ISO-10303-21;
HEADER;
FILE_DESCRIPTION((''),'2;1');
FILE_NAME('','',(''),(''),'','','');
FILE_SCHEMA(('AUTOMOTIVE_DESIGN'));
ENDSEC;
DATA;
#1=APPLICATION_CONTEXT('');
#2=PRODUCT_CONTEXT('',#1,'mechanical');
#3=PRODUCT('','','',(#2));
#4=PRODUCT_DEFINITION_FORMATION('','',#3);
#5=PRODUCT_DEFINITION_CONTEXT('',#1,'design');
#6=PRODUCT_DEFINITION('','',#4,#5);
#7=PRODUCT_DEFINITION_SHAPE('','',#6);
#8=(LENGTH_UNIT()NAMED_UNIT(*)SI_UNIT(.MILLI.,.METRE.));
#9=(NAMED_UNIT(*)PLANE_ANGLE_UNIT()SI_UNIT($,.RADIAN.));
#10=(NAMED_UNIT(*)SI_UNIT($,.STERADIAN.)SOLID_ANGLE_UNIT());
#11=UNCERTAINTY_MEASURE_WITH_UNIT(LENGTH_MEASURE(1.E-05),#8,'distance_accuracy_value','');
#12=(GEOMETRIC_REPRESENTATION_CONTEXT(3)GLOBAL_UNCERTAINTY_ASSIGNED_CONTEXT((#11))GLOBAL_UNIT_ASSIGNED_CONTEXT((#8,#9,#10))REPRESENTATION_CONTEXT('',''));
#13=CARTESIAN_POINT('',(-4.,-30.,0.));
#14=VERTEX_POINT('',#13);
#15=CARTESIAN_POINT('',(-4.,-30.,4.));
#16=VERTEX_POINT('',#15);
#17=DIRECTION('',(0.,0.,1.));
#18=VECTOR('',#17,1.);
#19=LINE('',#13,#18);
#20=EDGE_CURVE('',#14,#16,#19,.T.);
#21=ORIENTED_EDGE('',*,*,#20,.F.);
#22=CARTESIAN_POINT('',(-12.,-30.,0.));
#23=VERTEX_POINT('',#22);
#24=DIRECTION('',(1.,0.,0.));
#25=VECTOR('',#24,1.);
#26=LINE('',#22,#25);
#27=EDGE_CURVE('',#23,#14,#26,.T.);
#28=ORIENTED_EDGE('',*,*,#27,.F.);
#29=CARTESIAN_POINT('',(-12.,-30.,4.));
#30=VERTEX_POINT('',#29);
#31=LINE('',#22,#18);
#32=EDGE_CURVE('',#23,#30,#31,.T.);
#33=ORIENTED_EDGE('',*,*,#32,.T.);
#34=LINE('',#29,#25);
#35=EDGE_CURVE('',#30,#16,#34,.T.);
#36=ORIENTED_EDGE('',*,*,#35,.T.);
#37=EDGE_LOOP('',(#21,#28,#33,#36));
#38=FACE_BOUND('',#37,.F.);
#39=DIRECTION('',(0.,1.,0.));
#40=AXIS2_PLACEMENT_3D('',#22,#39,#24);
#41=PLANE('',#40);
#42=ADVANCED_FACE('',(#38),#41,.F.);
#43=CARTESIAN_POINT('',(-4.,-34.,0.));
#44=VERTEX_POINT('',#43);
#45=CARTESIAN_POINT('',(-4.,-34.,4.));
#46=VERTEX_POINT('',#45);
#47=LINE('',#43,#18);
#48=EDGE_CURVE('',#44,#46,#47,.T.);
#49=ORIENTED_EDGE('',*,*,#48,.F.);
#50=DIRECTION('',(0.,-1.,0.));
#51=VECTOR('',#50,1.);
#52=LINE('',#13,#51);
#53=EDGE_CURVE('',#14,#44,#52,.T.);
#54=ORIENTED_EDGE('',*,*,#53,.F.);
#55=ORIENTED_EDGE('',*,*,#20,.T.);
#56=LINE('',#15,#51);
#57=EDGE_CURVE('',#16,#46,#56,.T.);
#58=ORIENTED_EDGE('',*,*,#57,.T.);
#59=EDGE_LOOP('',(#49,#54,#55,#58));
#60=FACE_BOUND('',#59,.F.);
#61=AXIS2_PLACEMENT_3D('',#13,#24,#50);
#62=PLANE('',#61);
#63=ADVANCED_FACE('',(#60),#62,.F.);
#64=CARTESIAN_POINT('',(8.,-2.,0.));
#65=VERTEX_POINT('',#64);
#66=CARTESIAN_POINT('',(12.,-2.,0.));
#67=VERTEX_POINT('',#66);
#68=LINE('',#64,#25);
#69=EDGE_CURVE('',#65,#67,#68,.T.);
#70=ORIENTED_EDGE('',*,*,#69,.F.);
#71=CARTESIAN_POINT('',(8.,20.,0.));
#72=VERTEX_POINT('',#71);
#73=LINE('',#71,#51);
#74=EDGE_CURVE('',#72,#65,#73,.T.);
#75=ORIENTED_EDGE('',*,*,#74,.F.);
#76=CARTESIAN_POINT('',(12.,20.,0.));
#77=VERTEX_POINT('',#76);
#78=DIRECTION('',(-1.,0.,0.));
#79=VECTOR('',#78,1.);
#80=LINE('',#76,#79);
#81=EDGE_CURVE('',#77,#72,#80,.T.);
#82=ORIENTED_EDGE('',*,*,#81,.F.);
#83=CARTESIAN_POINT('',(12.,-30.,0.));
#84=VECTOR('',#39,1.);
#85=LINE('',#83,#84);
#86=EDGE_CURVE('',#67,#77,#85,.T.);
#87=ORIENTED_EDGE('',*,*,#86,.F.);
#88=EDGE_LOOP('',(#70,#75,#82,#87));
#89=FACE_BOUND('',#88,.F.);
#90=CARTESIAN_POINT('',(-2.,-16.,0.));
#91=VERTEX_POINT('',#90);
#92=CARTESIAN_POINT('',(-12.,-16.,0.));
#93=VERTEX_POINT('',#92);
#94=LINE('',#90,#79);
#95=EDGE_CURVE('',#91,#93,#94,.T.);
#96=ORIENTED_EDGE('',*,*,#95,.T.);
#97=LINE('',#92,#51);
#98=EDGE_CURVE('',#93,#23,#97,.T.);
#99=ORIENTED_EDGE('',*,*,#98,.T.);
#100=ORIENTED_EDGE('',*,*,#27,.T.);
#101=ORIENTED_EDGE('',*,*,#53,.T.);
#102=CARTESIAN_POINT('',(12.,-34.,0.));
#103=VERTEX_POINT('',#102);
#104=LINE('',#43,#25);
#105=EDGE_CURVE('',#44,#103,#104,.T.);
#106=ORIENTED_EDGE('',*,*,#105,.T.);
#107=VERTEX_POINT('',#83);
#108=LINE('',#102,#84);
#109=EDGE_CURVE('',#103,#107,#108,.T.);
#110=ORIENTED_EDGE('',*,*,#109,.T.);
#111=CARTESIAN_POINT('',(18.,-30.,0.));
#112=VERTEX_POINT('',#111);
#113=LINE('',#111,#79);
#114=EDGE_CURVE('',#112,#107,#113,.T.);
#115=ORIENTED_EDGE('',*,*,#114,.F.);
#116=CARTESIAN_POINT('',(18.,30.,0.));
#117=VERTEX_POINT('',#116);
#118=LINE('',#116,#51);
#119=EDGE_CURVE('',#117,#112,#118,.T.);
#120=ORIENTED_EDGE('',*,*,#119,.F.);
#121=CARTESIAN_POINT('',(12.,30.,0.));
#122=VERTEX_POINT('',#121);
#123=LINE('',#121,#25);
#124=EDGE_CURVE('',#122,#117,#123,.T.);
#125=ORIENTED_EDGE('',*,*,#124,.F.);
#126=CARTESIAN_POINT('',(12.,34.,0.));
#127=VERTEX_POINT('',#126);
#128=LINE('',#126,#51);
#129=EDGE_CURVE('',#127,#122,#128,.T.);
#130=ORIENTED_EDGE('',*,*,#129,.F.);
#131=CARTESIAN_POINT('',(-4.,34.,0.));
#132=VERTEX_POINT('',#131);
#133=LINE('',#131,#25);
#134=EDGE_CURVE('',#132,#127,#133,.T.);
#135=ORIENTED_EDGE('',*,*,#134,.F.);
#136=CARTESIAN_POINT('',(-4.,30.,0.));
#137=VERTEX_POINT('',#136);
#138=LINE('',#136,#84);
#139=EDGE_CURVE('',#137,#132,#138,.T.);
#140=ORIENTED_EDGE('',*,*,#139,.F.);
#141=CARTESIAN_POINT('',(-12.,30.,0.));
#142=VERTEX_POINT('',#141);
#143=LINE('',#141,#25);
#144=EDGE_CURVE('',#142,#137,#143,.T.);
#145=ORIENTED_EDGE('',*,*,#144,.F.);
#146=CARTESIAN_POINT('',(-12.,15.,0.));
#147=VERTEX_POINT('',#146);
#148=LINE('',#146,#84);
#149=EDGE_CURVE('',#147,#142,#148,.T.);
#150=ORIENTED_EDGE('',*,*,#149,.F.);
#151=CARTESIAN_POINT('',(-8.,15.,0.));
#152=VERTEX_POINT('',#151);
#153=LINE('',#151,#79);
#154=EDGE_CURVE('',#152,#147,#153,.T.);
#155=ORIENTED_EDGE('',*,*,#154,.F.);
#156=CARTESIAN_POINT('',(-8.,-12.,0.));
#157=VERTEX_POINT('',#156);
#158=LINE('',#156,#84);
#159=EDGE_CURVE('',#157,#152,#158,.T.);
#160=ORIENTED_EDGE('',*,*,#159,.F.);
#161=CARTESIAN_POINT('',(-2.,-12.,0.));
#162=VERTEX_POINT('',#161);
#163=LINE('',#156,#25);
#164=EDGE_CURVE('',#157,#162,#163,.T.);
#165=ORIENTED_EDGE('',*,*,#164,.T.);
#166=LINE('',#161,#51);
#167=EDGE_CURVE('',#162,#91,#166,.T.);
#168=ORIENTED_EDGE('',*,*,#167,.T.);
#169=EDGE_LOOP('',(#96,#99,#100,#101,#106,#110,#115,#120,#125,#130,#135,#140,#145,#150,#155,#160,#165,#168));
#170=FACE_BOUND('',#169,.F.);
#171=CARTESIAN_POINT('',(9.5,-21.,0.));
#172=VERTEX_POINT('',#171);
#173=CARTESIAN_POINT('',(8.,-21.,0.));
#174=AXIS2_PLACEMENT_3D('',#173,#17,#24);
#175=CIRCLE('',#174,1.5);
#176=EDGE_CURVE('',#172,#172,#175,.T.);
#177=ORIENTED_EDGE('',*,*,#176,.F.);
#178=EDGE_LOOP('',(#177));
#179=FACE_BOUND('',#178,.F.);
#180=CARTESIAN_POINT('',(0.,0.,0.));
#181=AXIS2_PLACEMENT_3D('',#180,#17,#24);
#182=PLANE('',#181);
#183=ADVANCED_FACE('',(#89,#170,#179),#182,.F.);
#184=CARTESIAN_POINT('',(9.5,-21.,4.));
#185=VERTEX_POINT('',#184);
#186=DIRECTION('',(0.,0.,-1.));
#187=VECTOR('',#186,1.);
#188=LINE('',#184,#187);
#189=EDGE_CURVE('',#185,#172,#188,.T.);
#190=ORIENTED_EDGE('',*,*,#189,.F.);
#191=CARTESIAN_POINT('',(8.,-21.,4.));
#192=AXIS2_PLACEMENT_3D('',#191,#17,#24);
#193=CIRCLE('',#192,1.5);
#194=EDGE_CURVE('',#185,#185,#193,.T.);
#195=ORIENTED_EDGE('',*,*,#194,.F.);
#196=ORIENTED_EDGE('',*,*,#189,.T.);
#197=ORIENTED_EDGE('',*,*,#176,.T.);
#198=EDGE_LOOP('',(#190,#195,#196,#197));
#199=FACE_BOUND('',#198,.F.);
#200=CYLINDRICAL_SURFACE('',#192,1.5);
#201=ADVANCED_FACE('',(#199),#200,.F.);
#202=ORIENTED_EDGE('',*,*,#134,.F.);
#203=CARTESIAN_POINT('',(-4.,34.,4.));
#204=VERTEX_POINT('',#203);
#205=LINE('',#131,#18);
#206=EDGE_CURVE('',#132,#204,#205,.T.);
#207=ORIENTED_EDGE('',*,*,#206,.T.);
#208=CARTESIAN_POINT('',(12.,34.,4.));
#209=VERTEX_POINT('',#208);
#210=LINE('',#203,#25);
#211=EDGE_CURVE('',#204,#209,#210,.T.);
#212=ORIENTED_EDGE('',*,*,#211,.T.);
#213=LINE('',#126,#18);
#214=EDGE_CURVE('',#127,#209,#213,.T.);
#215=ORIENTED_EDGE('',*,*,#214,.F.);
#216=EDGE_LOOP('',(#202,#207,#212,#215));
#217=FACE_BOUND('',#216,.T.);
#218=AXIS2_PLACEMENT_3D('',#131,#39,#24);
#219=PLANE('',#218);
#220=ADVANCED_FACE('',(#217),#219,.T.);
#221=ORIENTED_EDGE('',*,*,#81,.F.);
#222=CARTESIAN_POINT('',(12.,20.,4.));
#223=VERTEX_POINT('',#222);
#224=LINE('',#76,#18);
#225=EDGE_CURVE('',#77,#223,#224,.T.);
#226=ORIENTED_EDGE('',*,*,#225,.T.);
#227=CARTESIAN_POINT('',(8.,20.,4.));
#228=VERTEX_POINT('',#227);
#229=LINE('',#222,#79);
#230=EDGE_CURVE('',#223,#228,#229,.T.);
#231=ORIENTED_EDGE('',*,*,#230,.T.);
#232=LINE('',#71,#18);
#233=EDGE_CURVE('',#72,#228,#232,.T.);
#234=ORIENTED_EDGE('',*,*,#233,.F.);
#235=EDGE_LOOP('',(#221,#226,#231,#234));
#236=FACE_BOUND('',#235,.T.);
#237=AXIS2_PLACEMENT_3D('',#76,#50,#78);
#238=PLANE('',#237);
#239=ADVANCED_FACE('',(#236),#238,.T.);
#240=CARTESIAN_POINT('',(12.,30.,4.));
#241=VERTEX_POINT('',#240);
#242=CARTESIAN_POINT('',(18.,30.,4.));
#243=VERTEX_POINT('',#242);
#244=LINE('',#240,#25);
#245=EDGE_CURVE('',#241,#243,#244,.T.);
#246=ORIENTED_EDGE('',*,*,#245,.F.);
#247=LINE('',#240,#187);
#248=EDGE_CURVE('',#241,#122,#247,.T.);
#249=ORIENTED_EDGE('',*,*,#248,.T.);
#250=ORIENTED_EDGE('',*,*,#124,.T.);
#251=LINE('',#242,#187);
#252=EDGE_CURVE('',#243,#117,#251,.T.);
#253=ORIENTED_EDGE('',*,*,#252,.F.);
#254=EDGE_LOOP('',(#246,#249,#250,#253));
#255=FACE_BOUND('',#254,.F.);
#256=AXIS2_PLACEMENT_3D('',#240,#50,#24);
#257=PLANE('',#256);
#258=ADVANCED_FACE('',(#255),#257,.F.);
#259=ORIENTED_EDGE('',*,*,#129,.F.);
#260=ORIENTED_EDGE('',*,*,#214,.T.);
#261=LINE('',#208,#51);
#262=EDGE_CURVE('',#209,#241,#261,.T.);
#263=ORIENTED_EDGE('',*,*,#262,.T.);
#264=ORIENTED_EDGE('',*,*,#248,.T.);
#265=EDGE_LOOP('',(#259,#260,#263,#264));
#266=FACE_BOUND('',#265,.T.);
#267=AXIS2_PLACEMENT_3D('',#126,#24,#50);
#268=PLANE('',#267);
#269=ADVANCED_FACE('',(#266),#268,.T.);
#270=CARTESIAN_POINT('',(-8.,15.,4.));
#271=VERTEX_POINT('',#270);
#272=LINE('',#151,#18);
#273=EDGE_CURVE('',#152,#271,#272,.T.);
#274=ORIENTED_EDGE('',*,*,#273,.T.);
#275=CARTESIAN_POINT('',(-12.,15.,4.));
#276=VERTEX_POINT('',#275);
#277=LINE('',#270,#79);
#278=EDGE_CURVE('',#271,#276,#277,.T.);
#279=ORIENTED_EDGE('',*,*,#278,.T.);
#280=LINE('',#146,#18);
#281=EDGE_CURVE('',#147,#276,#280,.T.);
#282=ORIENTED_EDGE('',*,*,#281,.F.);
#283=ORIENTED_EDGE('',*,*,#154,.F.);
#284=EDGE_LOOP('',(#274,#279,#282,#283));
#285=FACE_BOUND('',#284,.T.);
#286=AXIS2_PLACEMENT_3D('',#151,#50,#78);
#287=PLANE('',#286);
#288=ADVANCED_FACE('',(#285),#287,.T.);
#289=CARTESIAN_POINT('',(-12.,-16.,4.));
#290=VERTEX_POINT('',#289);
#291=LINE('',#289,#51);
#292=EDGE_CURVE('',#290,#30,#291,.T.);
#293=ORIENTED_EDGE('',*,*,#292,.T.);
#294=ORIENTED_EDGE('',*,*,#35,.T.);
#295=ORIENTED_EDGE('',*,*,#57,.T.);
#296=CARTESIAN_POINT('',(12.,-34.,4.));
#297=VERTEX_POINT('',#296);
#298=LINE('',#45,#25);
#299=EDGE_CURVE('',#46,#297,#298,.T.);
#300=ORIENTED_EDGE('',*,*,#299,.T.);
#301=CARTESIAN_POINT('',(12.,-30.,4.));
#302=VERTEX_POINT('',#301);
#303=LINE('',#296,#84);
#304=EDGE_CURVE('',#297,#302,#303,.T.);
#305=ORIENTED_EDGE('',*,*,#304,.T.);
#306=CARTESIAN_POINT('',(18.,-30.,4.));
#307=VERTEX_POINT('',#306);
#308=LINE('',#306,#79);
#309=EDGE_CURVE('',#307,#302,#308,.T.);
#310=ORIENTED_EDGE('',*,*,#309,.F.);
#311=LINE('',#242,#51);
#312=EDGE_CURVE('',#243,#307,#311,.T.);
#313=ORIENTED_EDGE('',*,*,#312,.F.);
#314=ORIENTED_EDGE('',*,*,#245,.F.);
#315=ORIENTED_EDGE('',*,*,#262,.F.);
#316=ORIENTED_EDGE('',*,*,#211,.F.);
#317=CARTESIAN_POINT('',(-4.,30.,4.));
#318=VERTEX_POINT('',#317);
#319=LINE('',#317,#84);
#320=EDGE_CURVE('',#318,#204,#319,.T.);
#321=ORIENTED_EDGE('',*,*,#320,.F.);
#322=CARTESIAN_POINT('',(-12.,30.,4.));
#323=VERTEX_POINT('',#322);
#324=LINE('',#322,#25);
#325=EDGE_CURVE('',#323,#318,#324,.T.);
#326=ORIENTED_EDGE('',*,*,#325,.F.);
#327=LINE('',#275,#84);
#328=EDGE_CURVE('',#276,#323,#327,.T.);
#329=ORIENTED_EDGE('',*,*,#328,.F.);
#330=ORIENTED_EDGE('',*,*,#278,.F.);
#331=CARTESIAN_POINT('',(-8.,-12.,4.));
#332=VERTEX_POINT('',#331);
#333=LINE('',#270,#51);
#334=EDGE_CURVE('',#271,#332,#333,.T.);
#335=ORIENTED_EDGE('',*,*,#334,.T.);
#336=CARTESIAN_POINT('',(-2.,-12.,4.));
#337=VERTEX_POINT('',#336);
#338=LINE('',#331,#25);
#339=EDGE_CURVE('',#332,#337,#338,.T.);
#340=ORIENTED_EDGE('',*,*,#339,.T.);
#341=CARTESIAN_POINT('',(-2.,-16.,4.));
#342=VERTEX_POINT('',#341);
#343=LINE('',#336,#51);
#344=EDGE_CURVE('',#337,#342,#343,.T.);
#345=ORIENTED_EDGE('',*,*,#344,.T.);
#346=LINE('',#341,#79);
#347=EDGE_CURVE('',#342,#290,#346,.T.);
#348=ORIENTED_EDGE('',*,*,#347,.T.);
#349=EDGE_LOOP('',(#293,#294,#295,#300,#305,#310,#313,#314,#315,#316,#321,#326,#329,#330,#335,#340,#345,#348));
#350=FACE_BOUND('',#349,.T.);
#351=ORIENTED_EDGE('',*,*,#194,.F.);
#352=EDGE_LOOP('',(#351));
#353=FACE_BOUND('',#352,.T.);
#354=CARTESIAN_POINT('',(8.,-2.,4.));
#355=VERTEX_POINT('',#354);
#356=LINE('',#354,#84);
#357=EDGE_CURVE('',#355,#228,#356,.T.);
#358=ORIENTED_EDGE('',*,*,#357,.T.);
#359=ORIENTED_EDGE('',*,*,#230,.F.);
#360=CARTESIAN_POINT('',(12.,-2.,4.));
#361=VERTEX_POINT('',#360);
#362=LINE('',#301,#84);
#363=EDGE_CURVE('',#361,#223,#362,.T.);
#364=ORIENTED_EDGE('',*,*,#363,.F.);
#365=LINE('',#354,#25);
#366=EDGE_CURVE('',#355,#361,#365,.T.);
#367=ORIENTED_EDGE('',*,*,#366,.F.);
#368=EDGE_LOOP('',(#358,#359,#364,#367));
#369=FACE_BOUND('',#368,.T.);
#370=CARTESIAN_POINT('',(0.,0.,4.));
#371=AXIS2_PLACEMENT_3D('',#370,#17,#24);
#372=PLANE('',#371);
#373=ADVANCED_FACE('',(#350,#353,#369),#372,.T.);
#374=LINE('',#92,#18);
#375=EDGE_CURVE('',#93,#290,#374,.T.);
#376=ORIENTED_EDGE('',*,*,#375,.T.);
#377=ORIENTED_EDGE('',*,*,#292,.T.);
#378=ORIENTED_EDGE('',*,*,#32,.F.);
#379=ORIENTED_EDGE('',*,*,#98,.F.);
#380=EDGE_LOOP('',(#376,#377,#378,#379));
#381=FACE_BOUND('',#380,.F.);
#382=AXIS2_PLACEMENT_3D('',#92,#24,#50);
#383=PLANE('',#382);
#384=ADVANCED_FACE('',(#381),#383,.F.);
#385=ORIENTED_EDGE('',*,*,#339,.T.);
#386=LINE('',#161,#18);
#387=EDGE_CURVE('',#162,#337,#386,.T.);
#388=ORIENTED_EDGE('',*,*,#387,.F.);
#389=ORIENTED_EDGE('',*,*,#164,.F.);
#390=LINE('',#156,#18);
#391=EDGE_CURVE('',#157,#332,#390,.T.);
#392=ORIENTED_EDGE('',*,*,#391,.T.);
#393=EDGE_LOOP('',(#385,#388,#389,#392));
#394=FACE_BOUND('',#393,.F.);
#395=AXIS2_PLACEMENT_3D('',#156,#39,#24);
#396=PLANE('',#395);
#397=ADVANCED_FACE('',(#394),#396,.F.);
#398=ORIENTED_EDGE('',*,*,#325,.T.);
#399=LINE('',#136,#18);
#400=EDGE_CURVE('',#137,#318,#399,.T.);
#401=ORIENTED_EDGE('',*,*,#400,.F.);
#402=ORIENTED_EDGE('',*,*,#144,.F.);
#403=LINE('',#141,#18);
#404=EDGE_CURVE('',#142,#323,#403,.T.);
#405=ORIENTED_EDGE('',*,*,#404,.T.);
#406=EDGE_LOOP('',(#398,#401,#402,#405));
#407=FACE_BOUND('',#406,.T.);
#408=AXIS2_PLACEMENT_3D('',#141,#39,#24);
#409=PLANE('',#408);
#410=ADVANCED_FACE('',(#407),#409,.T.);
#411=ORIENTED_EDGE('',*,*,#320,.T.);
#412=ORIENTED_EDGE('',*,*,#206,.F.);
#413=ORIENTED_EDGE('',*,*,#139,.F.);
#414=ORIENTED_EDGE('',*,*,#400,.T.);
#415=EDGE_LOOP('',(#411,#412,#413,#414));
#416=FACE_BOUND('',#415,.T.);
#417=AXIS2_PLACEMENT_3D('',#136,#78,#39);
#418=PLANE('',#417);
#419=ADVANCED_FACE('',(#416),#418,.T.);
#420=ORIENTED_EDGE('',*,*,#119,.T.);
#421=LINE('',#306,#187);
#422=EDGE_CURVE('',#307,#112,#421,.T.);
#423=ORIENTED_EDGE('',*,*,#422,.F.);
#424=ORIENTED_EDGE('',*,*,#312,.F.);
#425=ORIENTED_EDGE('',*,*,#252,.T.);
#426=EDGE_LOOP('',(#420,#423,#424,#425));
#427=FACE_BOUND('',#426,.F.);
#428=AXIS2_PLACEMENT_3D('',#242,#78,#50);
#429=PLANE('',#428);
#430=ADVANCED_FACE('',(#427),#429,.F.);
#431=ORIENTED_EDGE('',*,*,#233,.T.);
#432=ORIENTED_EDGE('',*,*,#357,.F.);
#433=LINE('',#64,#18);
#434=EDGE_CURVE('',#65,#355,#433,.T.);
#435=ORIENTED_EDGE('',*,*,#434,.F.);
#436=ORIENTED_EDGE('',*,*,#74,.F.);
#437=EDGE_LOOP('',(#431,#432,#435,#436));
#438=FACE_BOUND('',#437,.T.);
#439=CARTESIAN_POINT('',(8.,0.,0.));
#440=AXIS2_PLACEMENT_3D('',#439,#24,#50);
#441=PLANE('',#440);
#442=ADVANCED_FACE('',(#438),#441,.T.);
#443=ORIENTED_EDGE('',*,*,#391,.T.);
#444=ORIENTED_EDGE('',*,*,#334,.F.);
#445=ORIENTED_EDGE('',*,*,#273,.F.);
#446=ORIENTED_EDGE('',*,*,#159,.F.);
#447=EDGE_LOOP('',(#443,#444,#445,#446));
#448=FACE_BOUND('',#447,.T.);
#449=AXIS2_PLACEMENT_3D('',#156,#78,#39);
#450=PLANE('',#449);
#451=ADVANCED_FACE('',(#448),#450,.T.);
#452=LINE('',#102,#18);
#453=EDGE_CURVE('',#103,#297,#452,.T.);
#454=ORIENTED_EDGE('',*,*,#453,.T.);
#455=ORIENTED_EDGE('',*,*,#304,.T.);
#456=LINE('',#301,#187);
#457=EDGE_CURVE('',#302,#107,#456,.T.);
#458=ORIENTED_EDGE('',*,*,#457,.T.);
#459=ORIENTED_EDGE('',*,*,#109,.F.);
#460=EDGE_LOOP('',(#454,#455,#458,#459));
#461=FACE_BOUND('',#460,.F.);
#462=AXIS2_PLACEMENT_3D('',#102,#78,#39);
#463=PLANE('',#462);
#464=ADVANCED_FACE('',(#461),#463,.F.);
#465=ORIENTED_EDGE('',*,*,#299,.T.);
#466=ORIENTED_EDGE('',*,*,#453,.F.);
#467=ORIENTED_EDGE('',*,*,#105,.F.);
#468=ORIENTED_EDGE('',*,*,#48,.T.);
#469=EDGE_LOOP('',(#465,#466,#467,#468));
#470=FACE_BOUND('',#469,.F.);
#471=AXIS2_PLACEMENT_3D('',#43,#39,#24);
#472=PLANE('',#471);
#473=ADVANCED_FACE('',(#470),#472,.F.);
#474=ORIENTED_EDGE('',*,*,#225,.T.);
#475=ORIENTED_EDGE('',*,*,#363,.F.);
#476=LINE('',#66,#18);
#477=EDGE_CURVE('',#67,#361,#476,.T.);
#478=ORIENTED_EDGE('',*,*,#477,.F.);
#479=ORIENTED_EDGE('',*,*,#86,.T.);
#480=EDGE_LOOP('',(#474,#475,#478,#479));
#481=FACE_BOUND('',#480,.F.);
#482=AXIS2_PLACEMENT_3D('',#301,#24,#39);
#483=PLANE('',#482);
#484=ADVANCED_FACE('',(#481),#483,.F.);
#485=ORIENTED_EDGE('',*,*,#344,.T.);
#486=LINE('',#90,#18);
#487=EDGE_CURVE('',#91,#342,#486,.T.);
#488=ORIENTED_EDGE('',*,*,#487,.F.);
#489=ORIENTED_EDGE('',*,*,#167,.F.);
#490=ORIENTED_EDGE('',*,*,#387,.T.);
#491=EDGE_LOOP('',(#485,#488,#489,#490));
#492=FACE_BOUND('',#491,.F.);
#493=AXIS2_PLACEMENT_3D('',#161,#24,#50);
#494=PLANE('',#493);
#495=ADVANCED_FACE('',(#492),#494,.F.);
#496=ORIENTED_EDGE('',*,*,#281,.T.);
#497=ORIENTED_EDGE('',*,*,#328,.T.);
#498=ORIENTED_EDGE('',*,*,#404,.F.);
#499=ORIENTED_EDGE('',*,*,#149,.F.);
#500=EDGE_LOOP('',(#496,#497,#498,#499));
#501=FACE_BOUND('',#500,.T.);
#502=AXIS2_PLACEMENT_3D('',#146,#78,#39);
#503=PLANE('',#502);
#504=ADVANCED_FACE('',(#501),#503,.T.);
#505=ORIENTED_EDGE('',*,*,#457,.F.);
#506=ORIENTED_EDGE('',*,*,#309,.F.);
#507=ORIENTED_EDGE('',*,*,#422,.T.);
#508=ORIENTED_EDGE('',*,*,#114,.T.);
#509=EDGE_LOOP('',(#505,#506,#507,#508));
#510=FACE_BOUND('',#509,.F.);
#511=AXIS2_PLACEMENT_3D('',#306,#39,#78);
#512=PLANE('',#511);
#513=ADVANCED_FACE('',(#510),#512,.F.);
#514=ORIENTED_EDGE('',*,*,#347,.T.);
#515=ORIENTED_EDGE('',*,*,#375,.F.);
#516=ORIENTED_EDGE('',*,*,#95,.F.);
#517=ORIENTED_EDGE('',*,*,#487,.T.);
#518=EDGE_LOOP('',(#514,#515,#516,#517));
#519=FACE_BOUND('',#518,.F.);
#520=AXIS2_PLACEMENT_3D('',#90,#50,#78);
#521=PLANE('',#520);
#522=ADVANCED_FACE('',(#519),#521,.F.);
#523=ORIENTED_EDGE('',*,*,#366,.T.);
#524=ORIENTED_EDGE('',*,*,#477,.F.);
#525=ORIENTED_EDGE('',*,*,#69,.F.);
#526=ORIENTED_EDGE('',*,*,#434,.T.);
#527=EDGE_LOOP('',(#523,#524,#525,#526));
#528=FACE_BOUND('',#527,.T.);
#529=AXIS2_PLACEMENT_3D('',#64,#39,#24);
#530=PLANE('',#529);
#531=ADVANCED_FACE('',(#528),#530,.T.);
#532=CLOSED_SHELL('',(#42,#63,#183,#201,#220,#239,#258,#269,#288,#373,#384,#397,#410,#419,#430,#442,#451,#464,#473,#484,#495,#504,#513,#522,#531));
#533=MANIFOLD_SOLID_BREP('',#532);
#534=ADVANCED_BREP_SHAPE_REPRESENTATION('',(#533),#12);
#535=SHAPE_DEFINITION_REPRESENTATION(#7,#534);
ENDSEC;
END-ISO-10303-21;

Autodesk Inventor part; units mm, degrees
ref_plane "YZ Plane" through (0, 0, 0) normal (1, 0, 0) x (0, 1, 0)
ref_plane "XZ Plane" through (0, 0, 0) normal (0, 1, 0) x (-1, 0, 0)
ref_plane "XY Plane" through (0, 0, 0) normal (0, 0, 1) x (1, 0, 0)
sketch "Эскиз1" plane through (0, 0, 0) normal (0, 0, 1) x (1, 0, 0)
  line L0 (-12, -16) -> (-12, -30)
  line L1 (-12, -30) -> (-4, -30)
  line L2 (-4, -34) -> (12, -34)
  line L3 (12, -34) -> (12, -2)
  line L4 (-8, 0) -> (8, 0)
  line L5 (-4, -30) -> (-4, -34)
  line L6 (-12, 30) -> (-4, 30)
  line L7 (-4, 34) -> (12, 34)
  line L8 (-4, 30) -> (-4, 34)
  line L9 (12, 34) -> (12, 20)
  line L10 (12, 20) -> (8, 20)
  line L11 (8, 20) -> (8, -2)
  line L12 (8, -2) -> (12, -2)
  line L13 (-8, -12) -> (-8, 15)
  line L14 (-8, 15) -> (-12, 15)
  line L15 (-12, 15) -> (-12, 30)
  line L16 (-8, -12) -> (-2, -12)
  line L17 (-2, -12) -> (-2, -16)
  line L18 (-2, -16) -> (-12, -16)
  point P0 (0, 0)
  point P1 (0, 0)
  dimension "d0" = 16
  dimension "d1" = 8
  dimension "d12" = 60
  dimension "d17" = 22
  dimension "d18" = 14
  dimension "d19" = 27
  dimension "d20" = 10
  dimension "d21" = 4
  dimension "d22" = 15
extrude "Выдавливание1" add sketch "Эскиз1" along normal blind 4
sketch "Эскиз2" plane through (0, 0, 4) normal (0, 0, 1) x (1, 0, 0)
  circle A0 centre (8, -21) radius 1.5
  line L0 (-12, -16) -> (-12, -30) projected
  line L1 (-12, -30) -> (-4, -30) projected
  point P0 (0, 0)
  dimension "d23" = 20
  dimension "d24" = 9
  dimension "d25" = 3
extrude "Выдавливание2" cut sketch "Эскиз2" against normal through all
sketch "Эскиз3" plane through (0, 0, 4) normal (0, 0, 1) x (1, 0, 0)
  line L0 (12, 20) -> (12, 34) projected
  line L1 (12, 30) -> (18, 30)
  line L2 (18, 30) -> (18, -30)
  line L3 (18, -30) -> (12, -30)
  line L4 (12, -30) -> (12, 30)
  point P0 (0, 0)
  point P1 (-4, 30)
  point P2 (-4, -30)
  dimension "d28" = 6
extrude "Выдавливание3" add sketch "Эскиз3" against normal up to surface (4 mm away)
properties part number "batTop" material "Дерево (береза)"
